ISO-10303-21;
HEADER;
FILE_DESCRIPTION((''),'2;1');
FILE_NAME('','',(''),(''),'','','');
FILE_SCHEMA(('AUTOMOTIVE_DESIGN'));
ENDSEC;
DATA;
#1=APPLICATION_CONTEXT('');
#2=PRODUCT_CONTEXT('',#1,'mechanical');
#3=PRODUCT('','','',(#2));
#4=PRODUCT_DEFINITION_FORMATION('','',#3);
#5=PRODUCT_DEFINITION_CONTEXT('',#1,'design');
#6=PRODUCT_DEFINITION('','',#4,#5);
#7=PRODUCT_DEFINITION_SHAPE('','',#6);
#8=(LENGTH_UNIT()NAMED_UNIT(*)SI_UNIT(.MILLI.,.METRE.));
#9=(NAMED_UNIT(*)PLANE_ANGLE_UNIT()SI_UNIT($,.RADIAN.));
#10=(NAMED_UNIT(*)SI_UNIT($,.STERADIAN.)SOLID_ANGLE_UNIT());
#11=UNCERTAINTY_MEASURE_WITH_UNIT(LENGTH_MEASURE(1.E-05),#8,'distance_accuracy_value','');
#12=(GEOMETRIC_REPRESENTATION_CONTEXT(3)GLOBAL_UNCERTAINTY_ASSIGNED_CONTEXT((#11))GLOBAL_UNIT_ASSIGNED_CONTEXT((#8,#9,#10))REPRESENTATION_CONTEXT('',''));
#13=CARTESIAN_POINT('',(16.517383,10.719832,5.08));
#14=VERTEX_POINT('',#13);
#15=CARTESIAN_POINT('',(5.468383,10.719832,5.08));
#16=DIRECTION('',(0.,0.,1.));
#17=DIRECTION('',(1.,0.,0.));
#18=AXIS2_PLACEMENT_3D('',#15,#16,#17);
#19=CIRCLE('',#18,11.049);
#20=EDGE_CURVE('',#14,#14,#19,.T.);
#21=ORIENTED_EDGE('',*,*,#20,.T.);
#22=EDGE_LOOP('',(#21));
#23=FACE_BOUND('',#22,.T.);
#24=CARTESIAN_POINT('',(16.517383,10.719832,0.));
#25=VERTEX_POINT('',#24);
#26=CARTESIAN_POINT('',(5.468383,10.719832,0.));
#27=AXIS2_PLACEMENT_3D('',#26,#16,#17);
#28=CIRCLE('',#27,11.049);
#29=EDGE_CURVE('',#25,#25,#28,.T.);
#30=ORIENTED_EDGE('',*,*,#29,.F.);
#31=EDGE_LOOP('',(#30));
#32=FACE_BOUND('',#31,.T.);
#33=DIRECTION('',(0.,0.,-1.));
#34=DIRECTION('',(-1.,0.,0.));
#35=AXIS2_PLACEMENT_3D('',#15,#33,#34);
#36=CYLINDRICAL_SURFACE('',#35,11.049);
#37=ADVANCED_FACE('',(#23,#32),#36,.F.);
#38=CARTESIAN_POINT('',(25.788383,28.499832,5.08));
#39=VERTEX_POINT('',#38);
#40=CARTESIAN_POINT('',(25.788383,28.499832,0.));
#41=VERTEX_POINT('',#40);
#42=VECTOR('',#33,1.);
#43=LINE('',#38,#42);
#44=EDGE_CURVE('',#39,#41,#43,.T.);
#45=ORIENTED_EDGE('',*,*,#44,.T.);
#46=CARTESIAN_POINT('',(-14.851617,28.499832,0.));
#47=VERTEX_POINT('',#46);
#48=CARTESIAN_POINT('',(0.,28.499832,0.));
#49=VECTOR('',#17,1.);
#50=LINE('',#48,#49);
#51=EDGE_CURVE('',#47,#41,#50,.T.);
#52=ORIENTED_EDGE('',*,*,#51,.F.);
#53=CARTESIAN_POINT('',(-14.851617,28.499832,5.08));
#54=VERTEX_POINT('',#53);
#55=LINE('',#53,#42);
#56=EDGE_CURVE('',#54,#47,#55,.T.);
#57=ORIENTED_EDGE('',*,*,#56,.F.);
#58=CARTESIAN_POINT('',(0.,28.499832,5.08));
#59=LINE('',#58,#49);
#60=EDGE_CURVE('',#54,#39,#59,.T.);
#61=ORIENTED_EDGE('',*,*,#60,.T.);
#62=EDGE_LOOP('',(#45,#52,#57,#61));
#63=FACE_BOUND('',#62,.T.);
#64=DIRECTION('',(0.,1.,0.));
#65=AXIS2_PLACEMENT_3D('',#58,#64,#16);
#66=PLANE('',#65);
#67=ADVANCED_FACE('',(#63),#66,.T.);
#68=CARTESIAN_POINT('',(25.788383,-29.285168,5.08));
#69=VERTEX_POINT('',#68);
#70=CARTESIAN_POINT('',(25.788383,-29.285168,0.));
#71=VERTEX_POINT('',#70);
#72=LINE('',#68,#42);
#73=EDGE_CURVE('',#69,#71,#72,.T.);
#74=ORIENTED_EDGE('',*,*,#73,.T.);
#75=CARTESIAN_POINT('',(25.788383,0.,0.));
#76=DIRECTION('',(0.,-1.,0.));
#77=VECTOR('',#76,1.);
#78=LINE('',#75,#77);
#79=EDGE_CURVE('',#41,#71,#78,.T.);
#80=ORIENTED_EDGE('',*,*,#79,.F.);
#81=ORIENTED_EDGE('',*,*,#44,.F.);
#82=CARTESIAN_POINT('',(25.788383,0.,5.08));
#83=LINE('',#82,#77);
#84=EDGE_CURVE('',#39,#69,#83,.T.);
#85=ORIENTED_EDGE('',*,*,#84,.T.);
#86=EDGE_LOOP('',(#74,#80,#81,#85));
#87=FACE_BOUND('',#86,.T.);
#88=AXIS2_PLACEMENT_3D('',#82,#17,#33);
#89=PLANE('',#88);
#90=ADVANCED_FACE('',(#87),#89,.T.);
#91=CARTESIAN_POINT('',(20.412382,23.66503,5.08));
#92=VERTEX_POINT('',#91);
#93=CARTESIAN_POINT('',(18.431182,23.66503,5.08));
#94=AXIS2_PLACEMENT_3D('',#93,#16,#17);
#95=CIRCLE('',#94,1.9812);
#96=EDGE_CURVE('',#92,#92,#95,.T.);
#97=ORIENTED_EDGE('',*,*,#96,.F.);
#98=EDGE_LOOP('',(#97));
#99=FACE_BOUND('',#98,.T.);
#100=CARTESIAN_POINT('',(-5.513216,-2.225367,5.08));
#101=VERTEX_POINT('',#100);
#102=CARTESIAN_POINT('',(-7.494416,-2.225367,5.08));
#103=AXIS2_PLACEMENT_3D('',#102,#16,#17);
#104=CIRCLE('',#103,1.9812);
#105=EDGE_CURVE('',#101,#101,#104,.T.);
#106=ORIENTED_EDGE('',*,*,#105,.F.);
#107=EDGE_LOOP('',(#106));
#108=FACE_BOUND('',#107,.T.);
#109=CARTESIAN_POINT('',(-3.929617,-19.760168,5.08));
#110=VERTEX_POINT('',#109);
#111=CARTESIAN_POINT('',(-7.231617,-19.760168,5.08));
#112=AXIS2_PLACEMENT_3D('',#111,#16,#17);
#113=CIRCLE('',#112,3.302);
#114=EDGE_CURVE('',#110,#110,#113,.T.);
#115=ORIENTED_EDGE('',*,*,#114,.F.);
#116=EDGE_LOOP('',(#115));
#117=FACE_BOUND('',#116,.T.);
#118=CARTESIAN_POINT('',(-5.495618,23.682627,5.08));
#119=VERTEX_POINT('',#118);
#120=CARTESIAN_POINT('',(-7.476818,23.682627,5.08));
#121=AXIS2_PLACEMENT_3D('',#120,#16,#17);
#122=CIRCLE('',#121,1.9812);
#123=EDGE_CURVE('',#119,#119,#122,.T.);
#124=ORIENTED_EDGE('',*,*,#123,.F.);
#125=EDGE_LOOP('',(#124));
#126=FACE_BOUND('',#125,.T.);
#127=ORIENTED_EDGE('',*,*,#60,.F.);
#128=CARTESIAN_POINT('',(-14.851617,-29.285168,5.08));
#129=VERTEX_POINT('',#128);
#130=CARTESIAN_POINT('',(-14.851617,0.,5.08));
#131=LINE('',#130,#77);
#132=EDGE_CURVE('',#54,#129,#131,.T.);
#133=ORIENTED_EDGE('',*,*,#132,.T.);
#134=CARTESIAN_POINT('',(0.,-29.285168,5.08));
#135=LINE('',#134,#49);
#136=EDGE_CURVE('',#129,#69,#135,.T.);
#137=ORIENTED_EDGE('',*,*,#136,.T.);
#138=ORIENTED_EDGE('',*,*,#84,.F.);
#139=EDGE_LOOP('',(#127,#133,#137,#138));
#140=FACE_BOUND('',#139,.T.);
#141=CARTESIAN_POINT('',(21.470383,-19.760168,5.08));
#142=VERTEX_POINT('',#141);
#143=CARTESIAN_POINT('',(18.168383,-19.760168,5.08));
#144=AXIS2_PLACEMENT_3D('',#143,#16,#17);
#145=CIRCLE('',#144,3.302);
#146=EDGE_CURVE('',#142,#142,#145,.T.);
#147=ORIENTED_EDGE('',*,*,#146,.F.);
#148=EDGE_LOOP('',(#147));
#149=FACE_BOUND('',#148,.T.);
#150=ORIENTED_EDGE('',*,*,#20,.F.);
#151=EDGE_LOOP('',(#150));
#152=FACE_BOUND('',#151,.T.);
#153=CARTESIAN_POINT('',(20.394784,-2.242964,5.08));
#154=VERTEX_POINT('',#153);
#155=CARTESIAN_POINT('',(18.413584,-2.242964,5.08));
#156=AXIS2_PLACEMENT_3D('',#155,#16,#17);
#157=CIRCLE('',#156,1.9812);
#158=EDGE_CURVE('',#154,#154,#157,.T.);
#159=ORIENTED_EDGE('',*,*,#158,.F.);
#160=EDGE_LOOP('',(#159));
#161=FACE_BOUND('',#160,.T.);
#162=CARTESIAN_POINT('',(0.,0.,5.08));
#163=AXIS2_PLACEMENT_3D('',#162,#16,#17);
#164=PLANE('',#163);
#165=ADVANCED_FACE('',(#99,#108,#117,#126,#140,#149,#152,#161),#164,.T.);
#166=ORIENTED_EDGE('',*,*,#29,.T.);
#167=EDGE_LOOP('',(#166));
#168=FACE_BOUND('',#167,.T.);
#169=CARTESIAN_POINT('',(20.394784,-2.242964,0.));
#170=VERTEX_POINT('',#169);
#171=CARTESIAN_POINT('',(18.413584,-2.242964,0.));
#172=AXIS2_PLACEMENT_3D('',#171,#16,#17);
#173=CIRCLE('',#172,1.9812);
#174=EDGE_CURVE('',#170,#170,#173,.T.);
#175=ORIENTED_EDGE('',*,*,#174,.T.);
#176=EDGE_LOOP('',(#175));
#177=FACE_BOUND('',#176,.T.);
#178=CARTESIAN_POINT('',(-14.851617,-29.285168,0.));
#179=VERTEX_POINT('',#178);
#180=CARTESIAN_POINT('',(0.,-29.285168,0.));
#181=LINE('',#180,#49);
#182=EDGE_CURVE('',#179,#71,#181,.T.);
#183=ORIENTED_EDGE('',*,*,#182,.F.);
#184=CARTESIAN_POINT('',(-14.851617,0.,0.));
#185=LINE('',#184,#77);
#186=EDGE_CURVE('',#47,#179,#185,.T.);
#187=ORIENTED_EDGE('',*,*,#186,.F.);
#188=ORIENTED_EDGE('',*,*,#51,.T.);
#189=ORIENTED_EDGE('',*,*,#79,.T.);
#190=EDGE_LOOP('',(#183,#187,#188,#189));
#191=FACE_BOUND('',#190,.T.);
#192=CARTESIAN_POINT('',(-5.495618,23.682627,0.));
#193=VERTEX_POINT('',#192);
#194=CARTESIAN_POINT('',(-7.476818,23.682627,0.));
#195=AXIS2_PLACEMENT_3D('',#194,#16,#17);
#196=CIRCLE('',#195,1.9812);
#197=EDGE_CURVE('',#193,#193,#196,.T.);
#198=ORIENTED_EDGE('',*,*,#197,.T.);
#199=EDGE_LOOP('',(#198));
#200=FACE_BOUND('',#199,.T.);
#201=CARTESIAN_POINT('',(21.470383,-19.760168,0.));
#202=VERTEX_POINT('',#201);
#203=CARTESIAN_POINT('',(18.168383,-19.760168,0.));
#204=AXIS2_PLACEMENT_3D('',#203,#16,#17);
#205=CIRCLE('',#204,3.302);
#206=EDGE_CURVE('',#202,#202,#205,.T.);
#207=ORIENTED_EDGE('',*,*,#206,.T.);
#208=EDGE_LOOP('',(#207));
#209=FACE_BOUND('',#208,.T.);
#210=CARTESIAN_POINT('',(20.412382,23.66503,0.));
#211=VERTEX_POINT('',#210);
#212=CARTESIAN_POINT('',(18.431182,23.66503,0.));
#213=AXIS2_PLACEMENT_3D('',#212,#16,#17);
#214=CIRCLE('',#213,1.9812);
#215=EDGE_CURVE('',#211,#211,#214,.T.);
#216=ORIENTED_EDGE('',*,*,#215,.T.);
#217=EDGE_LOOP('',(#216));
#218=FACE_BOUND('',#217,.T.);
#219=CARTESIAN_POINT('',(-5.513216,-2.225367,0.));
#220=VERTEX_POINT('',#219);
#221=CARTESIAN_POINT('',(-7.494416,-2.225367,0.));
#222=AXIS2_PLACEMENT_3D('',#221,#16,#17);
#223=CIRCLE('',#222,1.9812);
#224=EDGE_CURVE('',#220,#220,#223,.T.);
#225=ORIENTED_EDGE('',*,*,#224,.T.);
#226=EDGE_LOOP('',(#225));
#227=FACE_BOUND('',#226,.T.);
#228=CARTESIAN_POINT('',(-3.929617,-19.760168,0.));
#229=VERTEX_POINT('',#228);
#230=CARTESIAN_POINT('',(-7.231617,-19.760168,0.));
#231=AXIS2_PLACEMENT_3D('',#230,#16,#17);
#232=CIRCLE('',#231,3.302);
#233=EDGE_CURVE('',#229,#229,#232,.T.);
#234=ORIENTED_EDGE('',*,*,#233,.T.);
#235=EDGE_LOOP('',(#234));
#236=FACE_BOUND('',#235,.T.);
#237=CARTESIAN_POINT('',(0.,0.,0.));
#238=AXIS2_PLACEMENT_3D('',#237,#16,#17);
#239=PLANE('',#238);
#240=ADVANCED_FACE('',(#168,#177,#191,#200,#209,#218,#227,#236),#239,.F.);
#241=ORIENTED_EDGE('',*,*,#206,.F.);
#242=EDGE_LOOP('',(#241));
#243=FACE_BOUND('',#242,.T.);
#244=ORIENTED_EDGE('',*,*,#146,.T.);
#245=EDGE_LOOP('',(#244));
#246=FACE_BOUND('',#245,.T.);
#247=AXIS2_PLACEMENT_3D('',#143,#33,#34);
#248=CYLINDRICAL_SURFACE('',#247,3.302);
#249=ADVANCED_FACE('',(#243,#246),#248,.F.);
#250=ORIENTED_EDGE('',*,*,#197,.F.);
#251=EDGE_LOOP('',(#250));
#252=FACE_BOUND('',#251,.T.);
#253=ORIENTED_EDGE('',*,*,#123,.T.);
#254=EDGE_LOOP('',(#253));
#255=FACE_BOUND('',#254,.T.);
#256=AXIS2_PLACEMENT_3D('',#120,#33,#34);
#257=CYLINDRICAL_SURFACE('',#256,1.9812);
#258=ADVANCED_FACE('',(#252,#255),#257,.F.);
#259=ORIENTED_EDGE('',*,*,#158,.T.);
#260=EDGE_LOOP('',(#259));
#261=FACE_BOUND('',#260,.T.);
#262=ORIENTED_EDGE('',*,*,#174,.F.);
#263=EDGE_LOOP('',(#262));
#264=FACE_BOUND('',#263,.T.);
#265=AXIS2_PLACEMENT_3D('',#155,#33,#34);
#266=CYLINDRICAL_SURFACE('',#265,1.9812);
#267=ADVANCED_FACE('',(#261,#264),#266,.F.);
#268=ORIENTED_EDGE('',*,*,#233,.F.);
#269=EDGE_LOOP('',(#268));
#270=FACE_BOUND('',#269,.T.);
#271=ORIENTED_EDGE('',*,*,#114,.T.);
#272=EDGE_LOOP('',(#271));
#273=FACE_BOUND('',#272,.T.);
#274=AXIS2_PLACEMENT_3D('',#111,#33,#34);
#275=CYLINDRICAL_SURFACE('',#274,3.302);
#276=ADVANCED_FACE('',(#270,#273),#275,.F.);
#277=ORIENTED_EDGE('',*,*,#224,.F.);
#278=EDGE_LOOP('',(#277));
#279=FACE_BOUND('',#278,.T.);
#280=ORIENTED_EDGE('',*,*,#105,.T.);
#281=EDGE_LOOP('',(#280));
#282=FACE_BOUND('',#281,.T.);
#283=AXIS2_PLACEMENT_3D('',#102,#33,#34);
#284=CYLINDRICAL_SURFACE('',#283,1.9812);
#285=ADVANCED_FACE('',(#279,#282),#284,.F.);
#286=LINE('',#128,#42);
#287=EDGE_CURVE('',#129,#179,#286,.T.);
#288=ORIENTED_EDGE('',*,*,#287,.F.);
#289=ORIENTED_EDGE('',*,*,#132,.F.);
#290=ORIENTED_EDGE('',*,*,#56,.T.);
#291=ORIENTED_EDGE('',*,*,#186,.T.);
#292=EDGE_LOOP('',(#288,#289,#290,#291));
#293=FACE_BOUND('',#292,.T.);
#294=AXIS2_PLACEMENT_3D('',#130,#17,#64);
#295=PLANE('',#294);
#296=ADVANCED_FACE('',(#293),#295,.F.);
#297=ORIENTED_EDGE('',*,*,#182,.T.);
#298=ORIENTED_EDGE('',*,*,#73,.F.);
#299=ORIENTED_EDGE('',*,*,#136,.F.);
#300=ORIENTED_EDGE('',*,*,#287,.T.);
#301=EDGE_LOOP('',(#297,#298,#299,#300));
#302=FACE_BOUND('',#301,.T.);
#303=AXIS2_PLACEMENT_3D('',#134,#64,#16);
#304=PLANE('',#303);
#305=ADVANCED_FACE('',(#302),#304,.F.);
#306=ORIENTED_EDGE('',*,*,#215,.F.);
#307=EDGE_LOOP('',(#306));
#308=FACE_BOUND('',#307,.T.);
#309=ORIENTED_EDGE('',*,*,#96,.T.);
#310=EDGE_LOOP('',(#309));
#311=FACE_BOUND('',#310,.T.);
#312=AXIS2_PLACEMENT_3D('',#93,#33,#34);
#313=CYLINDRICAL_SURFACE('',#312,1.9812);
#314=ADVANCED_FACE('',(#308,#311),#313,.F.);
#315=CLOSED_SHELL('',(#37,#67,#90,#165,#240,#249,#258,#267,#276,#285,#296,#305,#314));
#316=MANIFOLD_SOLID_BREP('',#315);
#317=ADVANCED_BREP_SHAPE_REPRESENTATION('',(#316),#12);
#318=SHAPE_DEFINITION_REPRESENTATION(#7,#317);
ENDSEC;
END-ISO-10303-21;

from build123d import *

# Parameters (mm, degrees)
SKETCH1_W           = 40.64
SKETCH1_H           = 19.05
SKETCH1_R           = 3.302
SKETCH1_H_2         = 38.735
SKETCH1_R_2         = 1.9812
SKETCH1_R_3         = 11.049
BOSS_EXTRUDE1_DEPTH = 5.08


with BuildPart() as part:
    # Sketch1 → Boss-Extrude1 (new body)
    with BuildSketch(Plane.XY):
        with Locations((5.46838271, -19.760168498)):
            Rectangle(SKETCH1_W, SKETCH1_H)
        with Locations((-7.23161729, -19.760168498)):
            Circle(SKETCH1_R, mode=Mode.SUBTRACT)
        with Locations((18.16838271, -19.760168498)):
            Circle(SKETCH1_R, mode=Mode.SUBTRACT)
        with Locations((5.46838271, 9.132331502)):
            Rectangle(SKETCH1_W, SKETCH1_H_2)
        with Locations((-7.494416142, -2.225366655)):
            Circle(SKETCH1_R_2, mode=Mode.SUBTRACT)
        with Locations((18.413583858, -2.242964365)):
            Circle(SKETCH1_R_2, mode=Mode.SUBTRACT)
        with Locations((-7.476818437, 23.682627368)):
            Circle(SKETCH1_R_2, mode=Mode.SUBTRACT)
        with Locations((5.46838271, 10.719831502)):
            Circle(SKETCH1_R_3, mode=Mode.SUBTRACT)
        with Locations((18.431181563, 23.665029659)):
            Circle(SKETCH1_R_2, mode=Mode.SUBTRACT)
    extrude(amount=BOSS_EXTRUDE1_DEPTH)


solid = part.part
